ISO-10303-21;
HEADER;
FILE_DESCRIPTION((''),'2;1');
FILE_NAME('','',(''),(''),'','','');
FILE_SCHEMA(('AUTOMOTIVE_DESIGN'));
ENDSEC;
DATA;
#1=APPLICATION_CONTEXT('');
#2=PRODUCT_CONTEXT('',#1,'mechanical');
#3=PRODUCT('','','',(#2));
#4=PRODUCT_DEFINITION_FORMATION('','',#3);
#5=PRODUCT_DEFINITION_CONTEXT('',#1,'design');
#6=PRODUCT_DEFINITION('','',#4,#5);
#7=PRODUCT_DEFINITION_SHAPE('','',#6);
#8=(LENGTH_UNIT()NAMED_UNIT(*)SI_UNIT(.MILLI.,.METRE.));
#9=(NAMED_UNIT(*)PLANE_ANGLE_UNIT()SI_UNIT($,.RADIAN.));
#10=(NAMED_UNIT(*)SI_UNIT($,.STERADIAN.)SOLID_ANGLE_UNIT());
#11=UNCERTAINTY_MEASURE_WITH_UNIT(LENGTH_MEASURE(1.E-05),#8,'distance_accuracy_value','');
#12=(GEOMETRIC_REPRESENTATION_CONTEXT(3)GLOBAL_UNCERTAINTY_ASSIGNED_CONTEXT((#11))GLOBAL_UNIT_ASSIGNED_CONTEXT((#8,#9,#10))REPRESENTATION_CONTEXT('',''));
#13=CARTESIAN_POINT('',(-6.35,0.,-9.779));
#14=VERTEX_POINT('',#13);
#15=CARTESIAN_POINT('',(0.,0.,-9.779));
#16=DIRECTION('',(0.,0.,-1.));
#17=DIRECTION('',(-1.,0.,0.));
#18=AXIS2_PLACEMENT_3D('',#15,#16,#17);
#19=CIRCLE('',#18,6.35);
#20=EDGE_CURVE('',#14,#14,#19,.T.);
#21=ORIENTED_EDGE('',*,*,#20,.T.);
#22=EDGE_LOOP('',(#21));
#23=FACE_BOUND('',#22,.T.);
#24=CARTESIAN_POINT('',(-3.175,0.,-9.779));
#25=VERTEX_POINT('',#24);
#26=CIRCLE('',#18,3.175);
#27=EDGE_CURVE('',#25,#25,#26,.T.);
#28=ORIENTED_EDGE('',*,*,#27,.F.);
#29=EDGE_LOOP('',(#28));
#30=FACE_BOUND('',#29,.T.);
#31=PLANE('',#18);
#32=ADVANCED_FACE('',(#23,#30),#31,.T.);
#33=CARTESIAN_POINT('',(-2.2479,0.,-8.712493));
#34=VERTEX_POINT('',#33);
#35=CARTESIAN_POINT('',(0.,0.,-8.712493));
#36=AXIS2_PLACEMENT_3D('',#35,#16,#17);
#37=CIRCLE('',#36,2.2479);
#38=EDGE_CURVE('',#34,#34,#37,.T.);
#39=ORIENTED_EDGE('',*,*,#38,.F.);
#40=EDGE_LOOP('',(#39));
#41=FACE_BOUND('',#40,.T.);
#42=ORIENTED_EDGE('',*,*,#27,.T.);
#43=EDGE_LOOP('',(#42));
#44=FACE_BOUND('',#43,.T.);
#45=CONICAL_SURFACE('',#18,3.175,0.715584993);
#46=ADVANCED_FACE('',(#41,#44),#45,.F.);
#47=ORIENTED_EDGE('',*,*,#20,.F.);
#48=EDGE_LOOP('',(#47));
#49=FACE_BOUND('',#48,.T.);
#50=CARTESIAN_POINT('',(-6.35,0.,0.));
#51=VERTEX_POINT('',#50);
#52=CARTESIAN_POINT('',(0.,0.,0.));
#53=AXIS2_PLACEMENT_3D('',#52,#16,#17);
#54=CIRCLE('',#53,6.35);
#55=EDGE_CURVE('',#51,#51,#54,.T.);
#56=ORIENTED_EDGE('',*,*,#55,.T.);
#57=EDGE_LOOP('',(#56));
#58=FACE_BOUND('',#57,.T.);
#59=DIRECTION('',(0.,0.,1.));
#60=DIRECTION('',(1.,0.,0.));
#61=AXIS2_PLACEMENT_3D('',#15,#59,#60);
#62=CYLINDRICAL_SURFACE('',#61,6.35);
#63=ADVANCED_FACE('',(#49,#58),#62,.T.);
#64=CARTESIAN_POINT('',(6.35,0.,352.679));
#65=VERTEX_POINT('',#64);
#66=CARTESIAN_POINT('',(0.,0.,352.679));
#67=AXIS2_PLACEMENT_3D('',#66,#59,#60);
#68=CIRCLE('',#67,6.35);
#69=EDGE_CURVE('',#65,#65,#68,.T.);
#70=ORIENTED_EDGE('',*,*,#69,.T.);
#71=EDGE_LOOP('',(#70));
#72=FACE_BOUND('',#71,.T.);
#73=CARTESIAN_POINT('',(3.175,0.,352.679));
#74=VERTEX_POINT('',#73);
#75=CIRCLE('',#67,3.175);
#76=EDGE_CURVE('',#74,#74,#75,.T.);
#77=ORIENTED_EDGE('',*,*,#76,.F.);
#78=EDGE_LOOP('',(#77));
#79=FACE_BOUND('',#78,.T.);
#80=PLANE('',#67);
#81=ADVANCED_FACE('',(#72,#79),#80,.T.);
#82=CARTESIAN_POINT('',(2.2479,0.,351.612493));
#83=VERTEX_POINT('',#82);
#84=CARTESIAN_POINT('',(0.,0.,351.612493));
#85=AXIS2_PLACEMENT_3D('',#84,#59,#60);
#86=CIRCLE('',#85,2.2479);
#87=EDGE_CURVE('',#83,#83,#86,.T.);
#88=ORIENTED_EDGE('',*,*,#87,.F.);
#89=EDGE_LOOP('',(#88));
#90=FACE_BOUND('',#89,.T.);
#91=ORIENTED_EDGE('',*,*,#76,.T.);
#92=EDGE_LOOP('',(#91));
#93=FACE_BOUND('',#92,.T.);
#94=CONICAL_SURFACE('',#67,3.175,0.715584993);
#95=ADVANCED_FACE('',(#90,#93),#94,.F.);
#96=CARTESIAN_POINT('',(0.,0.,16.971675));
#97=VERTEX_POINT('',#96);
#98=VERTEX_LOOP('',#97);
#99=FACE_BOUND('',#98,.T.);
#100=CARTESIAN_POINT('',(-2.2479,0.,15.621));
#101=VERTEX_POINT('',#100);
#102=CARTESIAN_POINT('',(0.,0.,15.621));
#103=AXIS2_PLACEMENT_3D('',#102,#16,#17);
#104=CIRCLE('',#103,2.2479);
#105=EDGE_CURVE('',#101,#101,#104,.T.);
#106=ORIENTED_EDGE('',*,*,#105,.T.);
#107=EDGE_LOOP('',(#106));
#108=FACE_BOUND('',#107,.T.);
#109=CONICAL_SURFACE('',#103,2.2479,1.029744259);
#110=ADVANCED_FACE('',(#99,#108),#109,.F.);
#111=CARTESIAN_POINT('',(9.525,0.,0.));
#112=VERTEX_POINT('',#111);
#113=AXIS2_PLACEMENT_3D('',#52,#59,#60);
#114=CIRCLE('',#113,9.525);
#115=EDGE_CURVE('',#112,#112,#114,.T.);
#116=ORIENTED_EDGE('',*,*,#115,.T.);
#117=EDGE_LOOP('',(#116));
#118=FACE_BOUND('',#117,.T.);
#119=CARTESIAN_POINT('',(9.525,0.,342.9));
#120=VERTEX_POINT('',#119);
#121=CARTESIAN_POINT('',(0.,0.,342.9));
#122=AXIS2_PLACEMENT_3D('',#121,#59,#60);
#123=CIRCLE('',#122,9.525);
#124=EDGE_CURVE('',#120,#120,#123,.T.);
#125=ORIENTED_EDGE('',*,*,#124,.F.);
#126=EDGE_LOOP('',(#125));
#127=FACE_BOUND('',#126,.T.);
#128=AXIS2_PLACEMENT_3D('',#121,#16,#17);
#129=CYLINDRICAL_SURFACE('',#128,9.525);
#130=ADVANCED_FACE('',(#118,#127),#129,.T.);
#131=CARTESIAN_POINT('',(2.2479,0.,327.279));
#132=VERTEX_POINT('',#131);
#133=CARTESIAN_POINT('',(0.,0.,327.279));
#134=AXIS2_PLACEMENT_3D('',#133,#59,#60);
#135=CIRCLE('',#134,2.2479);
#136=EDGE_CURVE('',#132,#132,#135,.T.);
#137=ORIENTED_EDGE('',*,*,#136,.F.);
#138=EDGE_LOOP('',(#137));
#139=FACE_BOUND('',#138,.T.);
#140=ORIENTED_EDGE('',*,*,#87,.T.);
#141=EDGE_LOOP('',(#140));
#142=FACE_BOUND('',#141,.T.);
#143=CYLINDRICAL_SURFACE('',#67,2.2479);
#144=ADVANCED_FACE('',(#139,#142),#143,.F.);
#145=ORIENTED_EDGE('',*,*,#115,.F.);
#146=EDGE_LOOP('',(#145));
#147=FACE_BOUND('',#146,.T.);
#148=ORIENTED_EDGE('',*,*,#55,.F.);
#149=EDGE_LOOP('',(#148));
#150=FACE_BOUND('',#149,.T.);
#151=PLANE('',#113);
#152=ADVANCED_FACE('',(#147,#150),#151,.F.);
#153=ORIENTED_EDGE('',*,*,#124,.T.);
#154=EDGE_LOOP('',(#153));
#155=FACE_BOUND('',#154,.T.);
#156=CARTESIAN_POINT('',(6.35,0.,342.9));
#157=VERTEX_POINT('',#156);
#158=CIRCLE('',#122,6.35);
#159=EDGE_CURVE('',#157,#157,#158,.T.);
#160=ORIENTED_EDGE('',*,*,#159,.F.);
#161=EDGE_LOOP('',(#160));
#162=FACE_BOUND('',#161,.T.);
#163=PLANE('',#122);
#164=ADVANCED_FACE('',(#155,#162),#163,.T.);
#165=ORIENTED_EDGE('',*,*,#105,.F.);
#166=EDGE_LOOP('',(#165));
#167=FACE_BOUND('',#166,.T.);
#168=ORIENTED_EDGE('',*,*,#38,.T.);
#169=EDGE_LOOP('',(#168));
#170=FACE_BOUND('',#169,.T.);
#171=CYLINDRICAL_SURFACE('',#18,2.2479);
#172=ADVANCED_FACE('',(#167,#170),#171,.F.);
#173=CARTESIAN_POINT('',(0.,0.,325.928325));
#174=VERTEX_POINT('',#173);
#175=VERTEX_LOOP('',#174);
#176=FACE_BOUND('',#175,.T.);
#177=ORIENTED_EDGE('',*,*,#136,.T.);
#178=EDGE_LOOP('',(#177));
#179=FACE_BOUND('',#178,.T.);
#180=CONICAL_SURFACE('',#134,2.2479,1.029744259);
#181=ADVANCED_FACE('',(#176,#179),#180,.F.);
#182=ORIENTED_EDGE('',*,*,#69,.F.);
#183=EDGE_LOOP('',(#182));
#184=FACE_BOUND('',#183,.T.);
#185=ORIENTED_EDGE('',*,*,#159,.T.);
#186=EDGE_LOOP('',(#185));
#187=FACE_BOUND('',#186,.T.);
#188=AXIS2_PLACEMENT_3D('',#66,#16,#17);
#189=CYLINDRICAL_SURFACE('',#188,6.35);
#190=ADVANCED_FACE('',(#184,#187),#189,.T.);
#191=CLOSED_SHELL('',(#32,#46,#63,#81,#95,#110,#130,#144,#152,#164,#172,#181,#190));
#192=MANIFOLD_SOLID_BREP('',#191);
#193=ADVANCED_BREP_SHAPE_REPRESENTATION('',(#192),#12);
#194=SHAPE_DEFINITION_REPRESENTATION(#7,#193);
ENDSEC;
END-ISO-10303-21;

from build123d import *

# Parameters (mm, degrees)
SKETCH1_R                        = 9.525
BOSS_EXTRUDE1_DEPTH              = 342.9
SKETCH2_R                        = 6.35
BOSS_EXTRUDE2_DEPTH              = 9.779
F_12_24_TAPPED_HOLE1_D           = 4.4958
F_12_24_TAPPED_HOLE1_DEPTH       = 25.4
F_12_24_TAPPED_HOLE1_CSINK_D     = 6.35
F_12_24_TAPPED_HOLE1_CSINK_ANGLE = 82
F_12_24_TAPPED_HOLE1_TIP         = 1.350674586
BOSS_EXTRUDE3_START              = 9.779
SKETCH5_R                        = 6.35
BOSS_EXTRUDE3_DEPTH              = 9.779
F_12_24_TAPPED_HOLE2_D           = 4.4958
F_12_24_TAPPED_HOLE2_DEPTH       = 25.4
F_12_24_TAPPED_HOLE2_CSINK_D     = 6.35
F_12_24_TAPPED_HOLE2_CSINK_ANGLE = 82
F_12_24_TAPPED_HOLE2_TIP         = 1.350674586


with BuildPart() as part:
    # Sketch1 → Boss-Extrude1 (new body)
    with BuildSketch(Plane.XY):
        Circle(SKETCH1_R)
    extrude(amount=BOSS_EXTRUDE1_DEPTH)

    # Sketch2 → Boss-Extrude2 (add)
    with BuildSketch(Plane.XY.offset(342.9)):
        Circle(SKETCH2_R)
    extrude(amount=BOSS_EXTRUDE2_DEPTH)

    # #12-24 Tapped Hole1
    with Locations(Plane.XY.offset(352.679)):
        with Locations((0, 0)):
            CounterSinkHole(F_12_24_TAPPED_HOLE1_D / 2, F_12_24_TAPPED_HOLE1_CSINK_D / 2, depth=F_12_24_TAPPED_HOLE1_DEPTH, counter_sink_angle=F_12_24_TAPPED_HOLE1_CSINK_ANGLE)
            with Locations((0, 0, -(F_12_24_TAPPED_HOLE1_DEPTH + F_12_24_TAPPED_HOLE1_TIP / 2))):  # 118° drill point
                Cone(0, F_12_24_TAPPED_HOLE1_D / 2, F_12_24_TAPPED_HOLE1_TIP, mode=Mode.SUBTRACT)

    # Sketch5 → Boss-Extrude3 (add)
    with BuildSketch(Plane(origin=(0, 0, 0), x_dir=(-1, 0, 0), z_dir=(0, 0, -1)).offset(BOSS_EXTRUDE3_START)):
        with Locations(Location((0, 0, 0), (0, 0, 180))):
            Circle(SKETCH5_R)
    extrude(amount=-BOSS_EXTRUDE3_DEPTH)

    # #12-24 Tapped Hole2
    with Locations(Plane(origin=(0, 0, -9.779), x_dir=(-1, 0, 0), z_dir=(0, 0, -1))):
        with Locations((0, 0)):
            CounterSinkHole(F_12_24_TAPPED_HOLE2_D / 2, F_12_24_TAPPED_HOLE2_CSINK_D / 2, depth=F_12_24_TAPPED_HOLE2_DEPTH, counter_sink_angle=F_12_24_TAPPED_HOLE2_CSINK_ANGLE)
            with Locations((0, 0, -(F_12_24_TAPPED_HOLE2_DEPTH + F_12_24_TAPPED_HOLE2_TIP / 2))):  # 118° drill point
                Cone(0, F_12_24_TAPPED_HOLE2_D / 2, F_12_24_TAPPED_HOLE2_TIP, mode=Mode.SUBTRACT)


solid = part.part
